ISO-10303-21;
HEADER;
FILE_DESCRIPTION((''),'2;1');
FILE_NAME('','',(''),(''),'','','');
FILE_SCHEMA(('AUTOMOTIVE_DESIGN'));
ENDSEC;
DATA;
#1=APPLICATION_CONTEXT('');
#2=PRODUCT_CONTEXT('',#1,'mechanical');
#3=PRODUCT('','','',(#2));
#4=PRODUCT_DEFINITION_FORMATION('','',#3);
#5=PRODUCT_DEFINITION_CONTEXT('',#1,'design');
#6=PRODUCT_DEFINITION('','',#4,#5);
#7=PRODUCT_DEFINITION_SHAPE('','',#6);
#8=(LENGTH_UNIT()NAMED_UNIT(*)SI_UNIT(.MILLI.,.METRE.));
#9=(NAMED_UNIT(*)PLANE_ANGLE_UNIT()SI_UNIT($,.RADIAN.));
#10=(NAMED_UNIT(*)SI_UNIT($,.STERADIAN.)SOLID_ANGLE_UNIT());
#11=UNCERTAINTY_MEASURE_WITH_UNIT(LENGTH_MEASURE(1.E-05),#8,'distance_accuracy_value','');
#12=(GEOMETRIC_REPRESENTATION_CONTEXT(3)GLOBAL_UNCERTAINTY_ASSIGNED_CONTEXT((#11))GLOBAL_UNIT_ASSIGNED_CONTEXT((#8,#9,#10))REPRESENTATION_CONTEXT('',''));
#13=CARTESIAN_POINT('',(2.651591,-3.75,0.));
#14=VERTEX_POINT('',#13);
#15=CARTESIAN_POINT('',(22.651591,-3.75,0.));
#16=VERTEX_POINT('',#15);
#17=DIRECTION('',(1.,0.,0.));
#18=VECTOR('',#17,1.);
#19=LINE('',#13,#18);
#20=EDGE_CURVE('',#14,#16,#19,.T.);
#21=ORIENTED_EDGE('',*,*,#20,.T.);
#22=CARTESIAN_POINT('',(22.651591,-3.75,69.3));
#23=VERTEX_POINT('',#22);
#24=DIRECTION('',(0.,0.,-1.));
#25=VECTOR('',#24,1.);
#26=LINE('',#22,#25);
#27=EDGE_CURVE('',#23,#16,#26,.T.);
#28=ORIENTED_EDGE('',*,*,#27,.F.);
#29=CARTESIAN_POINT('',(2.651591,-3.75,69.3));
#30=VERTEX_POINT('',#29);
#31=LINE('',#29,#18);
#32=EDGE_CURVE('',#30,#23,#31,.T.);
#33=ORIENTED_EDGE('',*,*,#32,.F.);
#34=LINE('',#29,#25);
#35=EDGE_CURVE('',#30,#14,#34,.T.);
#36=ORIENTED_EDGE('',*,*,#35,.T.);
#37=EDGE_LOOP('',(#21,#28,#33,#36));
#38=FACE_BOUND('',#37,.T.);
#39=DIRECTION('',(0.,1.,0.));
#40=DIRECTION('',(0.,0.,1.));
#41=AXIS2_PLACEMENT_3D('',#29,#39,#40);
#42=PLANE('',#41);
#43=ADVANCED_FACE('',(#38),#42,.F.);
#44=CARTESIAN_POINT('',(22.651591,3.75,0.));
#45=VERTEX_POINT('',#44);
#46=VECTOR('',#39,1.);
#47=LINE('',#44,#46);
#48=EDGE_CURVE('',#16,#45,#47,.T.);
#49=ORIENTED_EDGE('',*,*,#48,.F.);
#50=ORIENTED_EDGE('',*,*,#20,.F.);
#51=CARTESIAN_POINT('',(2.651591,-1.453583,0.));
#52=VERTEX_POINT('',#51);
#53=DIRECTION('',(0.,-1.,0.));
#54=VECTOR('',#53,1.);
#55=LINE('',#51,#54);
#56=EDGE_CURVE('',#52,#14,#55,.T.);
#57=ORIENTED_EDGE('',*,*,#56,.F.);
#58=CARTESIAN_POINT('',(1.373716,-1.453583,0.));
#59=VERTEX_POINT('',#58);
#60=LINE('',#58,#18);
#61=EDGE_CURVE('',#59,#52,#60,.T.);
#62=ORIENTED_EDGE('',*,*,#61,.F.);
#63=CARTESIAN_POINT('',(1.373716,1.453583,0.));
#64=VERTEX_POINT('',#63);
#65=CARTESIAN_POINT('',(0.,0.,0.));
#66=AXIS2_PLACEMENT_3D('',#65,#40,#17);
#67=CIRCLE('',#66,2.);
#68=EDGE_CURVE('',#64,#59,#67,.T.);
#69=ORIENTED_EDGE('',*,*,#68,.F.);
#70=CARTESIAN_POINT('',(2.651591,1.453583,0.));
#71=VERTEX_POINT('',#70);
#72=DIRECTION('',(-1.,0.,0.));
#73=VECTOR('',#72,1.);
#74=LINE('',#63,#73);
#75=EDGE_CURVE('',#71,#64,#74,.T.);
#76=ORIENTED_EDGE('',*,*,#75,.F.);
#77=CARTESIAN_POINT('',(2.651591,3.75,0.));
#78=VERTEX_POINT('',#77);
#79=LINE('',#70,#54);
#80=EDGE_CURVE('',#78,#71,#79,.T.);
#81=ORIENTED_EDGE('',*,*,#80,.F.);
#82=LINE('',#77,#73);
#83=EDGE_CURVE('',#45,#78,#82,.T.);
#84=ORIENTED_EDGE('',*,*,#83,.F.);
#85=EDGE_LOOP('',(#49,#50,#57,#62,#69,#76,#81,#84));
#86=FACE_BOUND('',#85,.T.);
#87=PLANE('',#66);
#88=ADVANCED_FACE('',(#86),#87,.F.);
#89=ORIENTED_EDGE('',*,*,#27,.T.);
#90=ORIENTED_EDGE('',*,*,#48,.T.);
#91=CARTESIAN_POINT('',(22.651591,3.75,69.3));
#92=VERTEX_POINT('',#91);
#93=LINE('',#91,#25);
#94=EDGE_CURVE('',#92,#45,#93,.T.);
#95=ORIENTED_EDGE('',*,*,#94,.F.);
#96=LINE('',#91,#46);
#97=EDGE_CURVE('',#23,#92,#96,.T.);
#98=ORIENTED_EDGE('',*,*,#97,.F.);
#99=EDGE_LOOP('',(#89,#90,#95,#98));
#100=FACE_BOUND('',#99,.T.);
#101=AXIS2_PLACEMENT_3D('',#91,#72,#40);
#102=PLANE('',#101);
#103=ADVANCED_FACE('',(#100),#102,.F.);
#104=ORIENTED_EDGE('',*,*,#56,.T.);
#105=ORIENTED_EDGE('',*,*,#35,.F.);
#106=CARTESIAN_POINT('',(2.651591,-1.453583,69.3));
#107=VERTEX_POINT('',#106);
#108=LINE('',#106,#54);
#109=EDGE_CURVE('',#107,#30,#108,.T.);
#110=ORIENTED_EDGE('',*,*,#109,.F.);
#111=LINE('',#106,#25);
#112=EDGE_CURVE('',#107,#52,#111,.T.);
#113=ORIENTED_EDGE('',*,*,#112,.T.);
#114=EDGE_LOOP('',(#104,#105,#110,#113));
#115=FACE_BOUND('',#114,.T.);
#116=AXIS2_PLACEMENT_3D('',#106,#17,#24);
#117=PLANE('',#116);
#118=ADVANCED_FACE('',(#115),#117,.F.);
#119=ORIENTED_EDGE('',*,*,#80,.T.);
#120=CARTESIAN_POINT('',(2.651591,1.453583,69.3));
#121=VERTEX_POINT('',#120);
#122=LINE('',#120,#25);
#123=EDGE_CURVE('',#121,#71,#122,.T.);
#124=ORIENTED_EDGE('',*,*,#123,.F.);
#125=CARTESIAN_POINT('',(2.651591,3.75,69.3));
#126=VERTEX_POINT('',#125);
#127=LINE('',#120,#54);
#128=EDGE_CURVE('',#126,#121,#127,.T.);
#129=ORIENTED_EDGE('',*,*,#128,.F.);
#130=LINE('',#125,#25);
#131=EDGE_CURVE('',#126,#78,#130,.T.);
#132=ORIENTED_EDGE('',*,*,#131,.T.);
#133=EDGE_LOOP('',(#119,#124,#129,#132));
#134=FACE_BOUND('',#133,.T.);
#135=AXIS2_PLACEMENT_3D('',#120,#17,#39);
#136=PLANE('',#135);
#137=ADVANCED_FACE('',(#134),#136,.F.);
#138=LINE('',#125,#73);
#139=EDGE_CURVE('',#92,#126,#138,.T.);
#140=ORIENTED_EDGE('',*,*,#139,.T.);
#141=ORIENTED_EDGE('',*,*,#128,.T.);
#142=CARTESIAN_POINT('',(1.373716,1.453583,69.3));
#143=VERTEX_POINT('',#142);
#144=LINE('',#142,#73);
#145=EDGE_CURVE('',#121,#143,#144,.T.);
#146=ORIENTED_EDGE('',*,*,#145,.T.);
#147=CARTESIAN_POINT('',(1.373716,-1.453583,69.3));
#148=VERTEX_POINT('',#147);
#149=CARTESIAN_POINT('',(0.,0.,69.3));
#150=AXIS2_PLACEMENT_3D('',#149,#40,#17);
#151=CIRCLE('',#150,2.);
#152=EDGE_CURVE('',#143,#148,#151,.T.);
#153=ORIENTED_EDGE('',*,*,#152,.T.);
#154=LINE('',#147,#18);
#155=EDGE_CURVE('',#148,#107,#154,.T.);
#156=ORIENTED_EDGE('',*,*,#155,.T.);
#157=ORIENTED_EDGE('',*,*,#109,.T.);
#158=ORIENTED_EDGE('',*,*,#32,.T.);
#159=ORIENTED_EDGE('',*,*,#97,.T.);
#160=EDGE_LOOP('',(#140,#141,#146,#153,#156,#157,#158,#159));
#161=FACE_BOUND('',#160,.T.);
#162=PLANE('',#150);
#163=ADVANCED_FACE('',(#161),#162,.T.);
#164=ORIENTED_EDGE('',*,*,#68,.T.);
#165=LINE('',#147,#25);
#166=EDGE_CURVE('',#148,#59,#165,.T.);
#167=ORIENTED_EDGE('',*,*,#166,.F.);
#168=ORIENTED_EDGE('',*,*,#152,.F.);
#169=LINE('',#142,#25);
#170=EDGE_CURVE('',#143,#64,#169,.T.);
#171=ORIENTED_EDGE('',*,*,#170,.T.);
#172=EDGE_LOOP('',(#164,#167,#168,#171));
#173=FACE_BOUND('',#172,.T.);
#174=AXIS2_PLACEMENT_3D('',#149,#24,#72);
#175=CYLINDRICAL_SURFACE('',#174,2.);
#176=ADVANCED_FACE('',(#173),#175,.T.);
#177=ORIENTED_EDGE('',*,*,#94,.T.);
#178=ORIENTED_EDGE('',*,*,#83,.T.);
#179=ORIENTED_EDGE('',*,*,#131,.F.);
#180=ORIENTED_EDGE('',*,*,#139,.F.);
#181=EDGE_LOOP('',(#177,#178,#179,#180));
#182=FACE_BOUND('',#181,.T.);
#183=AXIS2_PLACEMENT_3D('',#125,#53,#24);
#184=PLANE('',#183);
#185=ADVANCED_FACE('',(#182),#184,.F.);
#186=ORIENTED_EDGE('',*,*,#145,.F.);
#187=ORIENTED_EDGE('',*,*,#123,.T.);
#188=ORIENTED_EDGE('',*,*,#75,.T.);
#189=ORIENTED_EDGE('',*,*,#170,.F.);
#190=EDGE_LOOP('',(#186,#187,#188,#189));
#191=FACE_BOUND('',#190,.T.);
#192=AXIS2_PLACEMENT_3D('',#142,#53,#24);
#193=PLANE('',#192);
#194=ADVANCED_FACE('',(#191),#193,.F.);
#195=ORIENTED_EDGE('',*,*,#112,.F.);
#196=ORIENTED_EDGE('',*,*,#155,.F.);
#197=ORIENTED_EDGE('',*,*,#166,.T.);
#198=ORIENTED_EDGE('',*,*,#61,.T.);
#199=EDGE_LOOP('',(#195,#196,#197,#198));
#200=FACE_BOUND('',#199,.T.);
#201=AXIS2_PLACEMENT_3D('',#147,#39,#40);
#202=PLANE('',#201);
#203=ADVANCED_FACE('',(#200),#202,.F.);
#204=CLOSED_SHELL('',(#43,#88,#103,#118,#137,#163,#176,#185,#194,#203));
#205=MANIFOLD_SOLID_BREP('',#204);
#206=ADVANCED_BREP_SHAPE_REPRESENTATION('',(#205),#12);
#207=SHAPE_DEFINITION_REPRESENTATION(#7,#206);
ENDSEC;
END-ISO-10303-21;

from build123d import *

# Parameters (mm, degrees)
BOSS_EXTRUDE1_DEPTH = 69.3


with BuildPart() as part:
    # Sketch1 → Boss-Extrude1 (new body)
    with BuildSketch(Plane.XY):
        with BuildLine():
            Line((1.373716035, 1.453583247), (2.651591417, 1.453583247))
            Line((2.651591417, 1.453583247), (2.651591417, 3.75))
            Line((2.651591417, 3.75), (22.651591417, 3.75))
            Line((22.651591417, 3.75), (22.651591417, -3.75))
            Line((22.651591417, -3.75), (2.651591417, -3.75))
            Line((2.651591417, -3.75), (2.651591417, -1.453583247))
            Line((2.651591417, -1.453583247), (1.373716035, -1.453583247))
            ThreePointArc((1.373716035, -1.453583247), (-2, 0), (1.373716035, 1.453583247))
        make_face()
    extrude(amount=BOSS_EXTRUDE1_DEPTH)


solid = part.part
